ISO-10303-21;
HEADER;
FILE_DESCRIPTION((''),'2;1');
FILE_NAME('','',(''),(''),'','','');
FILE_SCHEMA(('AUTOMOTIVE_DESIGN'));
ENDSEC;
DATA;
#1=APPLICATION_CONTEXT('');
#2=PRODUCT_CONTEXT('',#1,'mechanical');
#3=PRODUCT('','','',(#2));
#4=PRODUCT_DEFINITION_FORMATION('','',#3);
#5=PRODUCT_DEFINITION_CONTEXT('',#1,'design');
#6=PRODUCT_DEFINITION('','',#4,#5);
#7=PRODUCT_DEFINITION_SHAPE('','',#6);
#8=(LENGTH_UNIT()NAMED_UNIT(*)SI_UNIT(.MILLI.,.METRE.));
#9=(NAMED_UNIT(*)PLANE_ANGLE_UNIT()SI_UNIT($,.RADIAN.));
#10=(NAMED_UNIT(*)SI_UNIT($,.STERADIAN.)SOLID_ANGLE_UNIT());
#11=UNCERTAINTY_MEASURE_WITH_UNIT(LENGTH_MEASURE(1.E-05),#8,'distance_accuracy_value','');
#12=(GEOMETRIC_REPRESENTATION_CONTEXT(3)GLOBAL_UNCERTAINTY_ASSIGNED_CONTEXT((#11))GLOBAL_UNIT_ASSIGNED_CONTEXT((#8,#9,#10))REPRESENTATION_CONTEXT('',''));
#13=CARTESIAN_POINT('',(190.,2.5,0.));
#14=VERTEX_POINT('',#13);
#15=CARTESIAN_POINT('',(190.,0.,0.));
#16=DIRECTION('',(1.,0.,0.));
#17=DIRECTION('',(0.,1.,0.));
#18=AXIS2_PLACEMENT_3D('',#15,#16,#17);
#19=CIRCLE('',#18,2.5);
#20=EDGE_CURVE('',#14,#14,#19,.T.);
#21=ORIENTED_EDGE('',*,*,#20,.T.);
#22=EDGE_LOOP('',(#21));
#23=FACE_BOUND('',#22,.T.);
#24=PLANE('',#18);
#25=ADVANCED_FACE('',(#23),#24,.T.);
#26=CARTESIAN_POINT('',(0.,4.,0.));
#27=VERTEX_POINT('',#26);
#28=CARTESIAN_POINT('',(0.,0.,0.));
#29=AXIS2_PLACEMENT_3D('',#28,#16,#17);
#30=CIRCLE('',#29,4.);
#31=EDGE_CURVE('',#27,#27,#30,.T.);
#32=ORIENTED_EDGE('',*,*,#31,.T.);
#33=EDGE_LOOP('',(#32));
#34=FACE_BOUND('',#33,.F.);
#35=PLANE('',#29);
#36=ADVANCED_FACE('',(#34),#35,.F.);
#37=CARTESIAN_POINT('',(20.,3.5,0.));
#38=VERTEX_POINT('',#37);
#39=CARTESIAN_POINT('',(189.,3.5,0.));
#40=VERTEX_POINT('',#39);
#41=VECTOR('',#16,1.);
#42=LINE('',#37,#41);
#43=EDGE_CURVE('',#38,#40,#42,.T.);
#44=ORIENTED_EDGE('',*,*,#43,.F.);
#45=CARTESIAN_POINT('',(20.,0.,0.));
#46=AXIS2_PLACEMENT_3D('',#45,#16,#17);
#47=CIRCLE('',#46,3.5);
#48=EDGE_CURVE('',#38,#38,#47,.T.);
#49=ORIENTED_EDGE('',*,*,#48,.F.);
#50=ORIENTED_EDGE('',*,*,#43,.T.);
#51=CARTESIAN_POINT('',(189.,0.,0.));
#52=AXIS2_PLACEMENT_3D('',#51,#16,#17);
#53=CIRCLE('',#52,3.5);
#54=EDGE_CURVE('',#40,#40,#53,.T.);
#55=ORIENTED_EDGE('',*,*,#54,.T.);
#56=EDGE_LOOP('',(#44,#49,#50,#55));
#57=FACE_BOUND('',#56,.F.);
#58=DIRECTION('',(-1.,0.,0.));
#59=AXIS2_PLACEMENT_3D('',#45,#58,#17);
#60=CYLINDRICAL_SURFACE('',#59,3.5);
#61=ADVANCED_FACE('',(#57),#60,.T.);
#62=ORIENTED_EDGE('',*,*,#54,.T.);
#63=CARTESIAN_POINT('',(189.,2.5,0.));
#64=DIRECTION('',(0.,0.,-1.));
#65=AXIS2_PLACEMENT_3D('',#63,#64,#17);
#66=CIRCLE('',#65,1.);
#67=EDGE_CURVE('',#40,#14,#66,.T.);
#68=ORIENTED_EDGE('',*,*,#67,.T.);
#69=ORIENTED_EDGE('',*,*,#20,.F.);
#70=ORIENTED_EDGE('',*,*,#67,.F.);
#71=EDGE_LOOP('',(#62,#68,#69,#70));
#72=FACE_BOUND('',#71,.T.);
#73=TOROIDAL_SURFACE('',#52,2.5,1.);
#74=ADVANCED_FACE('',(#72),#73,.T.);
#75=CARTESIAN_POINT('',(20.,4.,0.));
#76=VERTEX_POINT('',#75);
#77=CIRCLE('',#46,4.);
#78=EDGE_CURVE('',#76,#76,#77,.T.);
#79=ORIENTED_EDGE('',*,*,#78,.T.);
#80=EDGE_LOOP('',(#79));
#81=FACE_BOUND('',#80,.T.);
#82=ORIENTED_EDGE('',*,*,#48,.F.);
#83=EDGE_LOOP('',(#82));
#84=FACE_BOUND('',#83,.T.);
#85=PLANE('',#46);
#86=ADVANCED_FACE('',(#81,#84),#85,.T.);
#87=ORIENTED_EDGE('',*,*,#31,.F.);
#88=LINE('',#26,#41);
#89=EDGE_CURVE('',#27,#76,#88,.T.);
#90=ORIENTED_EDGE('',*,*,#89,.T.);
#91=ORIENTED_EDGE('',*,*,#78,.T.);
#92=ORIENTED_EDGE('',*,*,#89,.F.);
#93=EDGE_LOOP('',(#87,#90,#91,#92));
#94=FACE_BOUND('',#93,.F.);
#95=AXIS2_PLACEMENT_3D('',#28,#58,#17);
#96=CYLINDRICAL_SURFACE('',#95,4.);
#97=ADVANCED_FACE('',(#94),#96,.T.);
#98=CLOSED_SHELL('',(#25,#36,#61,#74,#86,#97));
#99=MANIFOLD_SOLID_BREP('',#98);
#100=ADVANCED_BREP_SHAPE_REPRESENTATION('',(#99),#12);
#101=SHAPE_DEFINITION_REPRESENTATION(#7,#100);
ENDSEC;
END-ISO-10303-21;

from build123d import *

# Parameters (mm, degrees)
F0_R     = 4
F1_DEPTH = 20
F2_R     = 3.5
F3_DEPTH = 170
F4_R     = 1


with BuildPart() as f1:
    # F0 (on Right) → F1 (new body)
    with BuildSketch(Plane.YZ):
        Circle(F0_R)
    extrude(amount=F1_DEPTH)

    # F2 (on face) → F3 (join)
    with BuildSketch(Plane.YZ.offset(20)):
        Circle(F2_R)
    extrude(amount=F3_DEPTH)

    # F4
    f4_edges = [f1.edges().sort_by_distance(p)[0] for p in [
        (190, -3.5, 0),
    ]]
    fillet(f4_edges, radius=F4_R)


solid = f1.part
